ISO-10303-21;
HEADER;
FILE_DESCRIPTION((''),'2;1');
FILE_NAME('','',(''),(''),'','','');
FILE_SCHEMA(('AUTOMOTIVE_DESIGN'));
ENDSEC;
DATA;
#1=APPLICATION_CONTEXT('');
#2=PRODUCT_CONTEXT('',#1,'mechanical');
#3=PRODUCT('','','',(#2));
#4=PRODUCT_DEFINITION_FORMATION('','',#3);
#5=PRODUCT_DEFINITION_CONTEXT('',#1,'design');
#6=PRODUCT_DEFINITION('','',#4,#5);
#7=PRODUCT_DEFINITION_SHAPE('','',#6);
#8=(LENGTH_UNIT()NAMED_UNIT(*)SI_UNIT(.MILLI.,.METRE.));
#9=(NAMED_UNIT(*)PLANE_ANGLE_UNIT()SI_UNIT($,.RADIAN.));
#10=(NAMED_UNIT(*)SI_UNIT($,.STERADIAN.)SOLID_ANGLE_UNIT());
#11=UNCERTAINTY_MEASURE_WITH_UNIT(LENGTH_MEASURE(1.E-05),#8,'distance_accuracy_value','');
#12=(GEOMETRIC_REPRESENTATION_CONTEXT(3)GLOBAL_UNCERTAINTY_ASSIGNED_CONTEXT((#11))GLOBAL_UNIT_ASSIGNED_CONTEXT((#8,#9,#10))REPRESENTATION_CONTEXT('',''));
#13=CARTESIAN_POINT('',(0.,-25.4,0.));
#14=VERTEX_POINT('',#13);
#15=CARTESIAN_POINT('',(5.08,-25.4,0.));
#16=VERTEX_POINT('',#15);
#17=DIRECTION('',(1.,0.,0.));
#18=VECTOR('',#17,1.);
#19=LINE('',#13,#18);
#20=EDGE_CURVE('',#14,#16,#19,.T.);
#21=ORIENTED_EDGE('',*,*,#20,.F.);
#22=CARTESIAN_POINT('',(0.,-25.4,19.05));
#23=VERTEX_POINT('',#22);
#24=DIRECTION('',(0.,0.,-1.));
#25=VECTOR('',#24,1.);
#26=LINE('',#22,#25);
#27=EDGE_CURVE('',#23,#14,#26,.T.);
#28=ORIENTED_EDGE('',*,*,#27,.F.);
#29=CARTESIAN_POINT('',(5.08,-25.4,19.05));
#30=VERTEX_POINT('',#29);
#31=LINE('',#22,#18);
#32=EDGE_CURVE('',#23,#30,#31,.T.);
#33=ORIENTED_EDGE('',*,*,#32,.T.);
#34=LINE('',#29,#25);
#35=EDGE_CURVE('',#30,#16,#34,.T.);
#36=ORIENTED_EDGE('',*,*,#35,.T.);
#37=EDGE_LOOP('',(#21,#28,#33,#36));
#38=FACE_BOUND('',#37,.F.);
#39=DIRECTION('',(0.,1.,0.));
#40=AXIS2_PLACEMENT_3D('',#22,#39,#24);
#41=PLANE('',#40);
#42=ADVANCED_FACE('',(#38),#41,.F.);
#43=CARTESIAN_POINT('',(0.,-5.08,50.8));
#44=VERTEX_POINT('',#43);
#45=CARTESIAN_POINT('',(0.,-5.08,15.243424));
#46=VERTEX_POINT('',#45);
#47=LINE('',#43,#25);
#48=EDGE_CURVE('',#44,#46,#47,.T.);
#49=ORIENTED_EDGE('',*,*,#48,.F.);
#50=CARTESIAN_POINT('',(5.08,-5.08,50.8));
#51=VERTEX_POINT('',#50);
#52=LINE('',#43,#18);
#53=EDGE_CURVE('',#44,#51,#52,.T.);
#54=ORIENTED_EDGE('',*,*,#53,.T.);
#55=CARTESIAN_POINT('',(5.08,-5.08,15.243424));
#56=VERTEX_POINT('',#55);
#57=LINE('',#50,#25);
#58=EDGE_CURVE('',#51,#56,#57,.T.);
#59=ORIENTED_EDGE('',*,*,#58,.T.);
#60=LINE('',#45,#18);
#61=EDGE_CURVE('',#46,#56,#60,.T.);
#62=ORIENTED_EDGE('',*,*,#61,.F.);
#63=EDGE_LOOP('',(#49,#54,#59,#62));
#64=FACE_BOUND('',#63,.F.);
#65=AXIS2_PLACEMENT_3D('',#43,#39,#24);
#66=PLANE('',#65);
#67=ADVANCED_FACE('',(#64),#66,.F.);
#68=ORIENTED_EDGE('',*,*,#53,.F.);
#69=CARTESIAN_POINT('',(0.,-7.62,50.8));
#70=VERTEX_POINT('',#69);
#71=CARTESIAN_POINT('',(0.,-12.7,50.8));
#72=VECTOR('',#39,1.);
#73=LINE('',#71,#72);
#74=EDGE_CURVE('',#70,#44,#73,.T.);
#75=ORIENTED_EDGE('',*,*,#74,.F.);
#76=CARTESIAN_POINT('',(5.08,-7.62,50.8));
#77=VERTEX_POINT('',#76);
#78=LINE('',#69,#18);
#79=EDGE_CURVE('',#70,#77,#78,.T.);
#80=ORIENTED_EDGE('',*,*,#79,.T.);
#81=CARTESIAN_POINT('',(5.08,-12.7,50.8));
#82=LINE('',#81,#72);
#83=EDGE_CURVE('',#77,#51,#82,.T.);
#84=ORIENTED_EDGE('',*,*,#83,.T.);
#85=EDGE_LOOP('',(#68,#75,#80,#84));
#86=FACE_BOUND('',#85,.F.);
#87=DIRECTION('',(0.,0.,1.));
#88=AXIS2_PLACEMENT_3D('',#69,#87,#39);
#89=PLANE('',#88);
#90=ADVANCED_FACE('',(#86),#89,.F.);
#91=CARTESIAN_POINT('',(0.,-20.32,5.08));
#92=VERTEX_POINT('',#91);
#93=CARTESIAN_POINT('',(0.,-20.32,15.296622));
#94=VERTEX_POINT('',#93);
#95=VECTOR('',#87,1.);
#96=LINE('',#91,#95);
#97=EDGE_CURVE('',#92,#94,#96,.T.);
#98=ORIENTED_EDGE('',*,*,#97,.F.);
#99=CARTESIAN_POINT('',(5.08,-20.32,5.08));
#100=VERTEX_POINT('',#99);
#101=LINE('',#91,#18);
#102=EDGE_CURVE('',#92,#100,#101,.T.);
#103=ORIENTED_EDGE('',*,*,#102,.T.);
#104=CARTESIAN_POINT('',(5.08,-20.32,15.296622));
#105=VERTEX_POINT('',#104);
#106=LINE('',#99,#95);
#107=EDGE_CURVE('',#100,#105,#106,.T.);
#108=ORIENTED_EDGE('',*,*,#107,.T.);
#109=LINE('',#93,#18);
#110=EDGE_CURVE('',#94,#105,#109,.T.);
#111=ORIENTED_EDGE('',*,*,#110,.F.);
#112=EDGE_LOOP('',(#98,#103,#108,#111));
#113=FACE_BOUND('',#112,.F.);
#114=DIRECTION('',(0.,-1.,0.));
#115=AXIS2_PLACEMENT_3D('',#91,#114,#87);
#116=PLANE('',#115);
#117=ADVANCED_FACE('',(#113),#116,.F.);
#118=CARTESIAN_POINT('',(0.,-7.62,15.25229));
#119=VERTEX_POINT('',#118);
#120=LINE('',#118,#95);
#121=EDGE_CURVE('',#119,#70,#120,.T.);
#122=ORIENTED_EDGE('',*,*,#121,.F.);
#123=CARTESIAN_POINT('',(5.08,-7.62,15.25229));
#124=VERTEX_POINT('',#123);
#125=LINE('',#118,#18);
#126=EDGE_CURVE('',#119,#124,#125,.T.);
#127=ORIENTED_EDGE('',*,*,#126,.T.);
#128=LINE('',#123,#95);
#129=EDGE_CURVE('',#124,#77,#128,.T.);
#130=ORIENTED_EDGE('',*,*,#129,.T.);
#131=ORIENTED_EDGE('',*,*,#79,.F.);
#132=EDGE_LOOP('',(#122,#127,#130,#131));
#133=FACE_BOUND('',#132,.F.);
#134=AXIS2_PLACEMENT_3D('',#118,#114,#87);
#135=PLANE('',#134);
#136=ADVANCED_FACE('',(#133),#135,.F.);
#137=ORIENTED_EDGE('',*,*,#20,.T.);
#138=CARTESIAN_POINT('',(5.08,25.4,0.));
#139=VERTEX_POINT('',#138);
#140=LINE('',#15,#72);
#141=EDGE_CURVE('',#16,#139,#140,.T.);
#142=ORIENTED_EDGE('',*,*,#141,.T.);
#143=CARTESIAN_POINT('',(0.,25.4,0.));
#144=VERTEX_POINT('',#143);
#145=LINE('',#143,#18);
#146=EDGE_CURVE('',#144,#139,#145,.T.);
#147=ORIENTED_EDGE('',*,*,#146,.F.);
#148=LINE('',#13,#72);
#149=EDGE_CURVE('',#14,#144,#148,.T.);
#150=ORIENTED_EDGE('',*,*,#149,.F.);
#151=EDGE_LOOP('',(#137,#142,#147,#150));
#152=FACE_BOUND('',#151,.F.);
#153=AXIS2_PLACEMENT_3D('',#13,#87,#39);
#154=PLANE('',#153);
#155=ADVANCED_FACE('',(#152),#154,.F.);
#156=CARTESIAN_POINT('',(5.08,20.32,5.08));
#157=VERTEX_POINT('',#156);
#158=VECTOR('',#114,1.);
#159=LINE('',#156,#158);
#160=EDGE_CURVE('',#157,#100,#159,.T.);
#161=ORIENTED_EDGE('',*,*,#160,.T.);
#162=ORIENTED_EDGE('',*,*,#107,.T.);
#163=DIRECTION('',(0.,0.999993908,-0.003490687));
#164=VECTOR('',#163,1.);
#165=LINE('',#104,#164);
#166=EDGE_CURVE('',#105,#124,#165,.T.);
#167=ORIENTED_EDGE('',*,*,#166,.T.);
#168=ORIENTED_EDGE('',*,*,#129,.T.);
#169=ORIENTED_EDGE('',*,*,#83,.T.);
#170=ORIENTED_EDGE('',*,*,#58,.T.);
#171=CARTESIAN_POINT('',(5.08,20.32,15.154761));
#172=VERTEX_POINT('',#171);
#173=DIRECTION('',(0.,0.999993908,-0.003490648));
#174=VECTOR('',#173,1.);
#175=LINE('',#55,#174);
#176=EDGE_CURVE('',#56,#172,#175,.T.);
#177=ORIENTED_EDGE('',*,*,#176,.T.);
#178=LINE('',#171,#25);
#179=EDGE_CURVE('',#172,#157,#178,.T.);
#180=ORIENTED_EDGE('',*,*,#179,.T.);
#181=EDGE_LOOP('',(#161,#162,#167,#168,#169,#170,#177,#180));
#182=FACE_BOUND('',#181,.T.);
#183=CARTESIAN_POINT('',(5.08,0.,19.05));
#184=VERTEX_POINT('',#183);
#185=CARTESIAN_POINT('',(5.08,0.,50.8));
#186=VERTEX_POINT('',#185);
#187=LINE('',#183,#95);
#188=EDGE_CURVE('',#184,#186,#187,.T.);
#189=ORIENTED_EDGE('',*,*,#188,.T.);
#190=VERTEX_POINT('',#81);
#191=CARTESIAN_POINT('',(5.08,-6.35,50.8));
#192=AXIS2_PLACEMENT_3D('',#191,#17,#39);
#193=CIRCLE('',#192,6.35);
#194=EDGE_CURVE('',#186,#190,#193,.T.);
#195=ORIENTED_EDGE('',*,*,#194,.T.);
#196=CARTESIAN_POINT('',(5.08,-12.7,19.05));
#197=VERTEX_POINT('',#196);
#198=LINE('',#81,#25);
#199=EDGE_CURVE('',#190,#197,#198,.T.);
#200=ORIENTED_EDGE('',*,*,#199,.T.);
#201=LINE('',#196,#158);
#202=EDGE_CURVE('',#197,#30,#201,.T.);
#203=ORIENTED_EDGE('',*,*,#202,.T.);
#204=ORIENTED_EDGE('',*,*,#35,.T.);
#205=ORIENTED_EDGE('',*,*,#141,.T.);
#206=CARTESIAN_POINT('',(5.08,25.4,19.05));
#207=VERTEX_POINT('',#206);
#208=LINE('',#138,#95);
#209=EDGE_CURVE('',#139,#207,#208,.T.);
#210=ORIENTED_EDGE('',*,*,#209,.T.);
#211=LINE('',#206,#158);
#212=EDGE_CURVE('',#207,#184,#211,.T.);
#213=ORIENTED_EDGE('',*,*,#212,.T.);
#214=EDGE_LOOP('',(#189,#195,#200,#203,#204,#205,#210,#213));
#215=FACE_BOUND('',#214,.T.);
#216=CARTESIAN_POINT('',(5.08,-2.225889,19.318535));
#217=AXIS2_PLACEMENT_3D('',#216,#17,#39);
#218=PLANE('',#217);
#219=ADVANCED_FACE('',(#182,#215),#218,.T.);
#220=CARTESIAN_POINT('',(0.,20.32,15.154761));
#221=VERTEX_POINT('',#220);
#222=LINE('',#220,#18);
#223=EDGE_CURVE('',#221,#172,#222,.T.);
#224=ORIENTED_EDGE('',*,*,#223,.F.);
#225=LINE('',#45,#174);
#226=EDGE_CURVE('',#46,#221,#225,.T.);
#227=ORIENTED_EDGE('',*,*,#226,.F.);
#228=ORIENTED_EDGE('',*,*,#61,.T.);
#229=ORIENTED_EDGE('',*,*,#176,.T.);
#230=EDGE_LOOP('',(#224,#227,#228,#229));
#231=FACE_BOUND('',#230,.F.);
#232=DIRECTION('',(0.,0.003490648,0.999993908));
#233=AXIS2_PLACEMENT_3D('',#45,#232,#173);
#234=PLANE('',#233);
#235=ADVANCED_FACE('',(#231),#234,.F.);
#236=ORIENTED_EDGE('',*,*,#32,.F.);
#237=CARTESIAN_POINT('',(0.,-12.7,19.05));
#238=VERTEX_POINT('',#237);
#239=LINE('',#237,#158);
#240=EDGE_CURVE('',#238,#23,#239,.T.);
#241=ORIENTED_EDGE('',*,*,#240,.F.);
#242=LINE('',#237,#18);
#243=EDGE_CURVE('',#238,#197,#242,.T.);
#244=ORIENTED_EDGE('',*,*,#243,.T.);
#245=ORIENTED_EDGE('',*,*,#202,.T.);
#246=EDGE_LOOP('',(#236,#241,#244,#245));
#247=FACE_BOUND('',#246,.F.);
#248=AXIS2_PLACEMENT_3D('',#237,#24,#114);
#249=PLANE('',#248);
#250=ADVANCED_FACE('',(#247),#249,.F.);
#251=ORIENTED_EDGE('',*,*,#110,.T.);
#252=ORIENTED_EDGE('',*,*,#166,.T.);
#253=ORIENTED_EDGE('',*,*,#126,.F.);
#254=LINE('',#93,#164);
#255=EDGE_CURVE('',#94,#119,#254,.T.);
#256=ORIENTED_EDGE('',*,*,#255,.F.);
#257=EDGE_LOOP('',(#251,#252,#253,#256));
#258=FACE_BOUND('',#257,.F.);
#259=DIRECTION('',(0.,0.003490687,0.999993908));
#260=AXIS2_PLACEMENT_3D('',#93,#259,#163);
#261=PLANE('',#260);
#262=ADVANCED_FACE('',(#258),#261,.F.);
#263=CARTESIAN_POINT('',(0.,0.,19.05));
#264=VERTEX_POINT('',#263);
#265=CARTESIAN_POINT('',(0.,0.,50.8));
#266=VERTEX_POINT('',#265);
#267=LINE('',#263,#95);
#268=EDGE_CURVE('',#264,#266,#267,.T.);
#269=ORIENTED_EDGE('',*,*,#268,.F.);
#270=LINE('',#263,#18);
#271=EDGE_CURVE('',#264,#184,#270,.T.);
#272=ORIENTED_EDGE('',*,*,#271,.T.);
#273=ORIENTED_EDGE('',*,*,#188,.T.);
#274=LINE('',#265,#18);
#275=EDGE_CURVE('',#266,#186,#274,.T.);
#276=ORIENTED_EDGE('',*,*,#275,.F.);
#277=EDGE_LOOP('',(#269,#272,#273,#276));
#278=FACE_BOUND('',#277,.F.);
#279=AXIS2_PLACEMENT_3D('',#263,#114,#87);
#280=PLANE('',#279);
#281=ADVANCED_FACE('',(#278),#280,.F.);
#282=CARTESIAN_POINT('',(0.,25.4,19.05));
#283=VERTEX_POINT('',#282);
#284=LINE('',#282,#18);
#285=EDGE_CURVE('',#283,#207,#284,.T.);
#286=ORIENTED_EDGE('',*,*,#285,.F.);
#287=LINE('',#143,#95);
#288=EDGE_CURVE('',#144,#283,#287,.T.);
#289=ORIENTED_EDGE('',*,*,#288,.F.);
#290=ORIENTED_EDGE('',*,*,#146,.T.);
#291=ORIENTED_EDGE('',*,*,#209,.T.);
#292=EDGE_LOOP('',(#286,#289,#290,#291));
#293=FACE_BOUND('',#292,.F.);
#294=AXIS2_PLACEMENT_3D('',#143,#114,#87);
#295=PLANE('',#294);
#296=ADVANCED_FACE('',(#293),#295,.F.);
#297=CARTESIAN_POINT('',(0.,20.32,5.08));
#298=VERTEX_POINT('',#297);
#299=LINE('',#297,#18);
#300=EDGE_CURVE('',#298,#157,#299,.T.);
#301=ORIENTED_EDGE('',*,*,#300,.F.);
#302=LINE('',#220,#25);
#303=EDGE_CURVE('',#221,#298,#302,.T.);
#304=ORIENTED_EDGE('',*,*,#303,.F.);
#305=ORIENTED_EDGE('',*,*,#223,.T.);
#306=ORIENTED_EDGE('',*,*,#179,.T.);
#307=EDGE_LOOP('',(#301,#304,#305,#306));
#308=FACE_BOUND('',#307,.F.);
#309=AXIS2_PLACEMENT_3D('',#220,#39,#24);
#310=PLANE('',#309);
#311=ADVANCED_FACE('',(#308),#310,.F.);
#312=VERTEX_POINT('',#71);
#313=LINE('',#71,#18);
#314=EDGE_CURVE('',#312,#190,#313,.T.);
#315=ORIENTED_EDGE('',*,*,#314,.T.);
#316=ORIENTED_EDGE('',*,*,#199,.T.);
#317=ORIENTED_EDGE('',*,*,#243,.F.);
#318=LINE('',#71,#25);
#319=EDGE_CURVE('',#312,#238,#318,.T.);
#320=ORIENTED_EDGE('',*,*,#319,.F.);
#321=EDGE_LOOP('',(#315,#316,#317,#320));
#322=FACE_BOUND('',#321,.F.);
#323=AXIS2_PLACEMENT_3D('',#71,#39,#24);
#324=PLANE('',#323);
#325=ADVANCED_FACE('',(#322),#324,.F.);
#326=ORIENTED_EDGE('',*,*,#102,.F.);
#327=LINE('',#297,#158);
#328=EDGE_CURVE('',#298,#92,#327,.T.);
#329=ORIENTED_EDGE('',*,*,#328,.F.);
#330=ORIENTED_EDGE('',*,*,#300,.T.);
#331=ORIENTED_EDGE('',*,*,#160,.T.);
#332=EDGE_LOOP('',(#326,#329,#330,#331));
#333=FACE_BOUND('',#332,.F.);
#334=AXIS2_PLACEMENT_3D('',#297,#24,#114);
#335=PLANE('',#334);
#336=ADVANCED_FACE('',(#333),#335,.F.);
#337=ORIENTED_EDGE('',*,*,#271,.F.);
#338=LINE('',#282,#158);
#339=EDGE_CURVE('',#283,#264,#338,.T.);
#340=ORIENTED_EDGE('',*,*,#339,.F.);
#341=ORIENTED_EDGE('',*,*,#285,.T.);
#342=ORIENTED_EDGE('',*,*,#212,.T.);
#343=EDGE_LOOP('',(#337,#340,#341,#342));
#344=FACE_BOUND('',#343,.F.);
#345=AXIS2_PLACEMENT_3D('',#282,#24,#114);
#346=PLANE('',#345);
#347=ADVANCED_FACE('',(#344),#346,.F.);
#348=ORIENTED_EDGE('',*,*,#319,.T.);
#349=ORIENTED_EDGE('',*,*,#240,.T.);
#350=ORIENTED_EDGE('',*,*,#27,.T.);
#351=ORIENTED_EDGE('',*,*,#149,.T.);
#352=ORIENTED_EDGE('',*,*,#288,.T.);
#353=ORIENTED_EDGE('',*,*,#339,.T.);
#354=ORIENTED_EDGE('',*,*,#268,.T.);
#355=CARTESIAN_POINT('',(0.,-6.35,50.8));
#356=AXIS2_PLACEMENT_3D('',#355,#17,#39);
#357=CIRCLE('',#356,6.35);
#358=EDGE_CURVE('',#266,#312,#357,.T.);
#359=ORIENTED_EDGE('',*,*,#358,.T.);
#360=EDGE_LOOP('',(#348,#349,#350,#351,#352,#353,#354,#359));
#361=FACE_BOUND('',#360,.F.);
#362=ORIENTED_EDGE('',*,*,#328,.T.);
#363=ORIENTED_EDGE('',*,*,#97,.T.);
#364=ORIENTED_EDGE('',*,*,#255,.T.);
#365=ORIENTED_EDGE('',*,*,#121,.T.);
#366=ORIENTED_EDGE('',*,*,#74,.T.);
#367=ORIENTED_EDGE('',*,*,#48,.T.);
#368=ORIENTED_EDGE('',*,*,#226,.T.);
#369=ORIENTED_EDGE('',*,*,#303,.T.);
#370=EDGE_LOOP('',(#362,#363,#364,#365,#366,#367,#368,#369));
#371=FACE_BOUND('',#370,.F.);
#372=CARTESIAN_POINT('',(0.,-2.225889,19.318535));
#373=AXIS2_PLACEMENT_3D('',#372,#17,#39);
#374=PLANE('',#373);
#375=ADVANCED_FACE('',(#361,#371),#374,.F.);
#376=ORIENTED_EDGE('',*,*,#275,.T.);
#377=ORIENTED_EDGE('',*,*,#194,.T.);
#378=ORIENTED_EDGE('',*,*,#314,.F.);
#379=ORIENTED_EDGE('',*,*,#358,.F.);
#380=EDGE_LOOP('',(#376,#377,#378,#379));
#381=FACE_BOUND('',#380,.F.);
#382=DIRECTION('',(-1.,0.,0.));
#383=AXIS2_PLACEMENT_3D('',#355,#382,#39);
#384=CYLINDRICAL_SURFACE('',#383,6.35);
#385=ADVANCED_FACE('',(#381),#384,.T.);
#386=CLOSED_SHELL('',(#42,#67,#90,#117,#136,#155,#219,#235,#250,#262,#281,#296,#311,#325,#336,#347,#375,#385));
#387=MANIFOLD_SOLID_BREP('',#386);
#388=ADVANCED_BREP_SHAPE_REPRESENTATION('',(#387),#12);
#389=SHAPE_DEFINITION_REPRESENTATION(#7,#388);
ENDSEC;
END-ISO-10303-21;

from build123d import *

# Parameters (mm, degrees)
F1_DEPTH = 5.08


with BuildPart() as f1:
    # F0 (on Right) → F1 (new body)
    with BuildSketch(Plane.YZ):
        Polygon((-25.4, 0), (25.4, 0), (25.4, 19.05), (0, 19.05), (0, 50.8), (-5.08, 50.8), (-5.08, 19.05), (-5.08, 15.243424), (20.32, 15.154761), (20.32, 5.08), (-20.32, 5.08), (-20.32, 15.296622), (-7.62, 15.25229), (-7.62, 19.05), (-7.62, 50.8), (-12.7, 50.8), (-12.7, 19.05), (-25.4, 19.05), align=None)
        with BuildLine():
            Line((-5.08, 50.8), (0, 50.8))
            ThreePointArc((0, 50.8), (-6.35, 57.15), (-12.7, 50.8))
            Line((-12.7, 50.8), (-7.62, 50.8))
            Line((-7.62, 50.8), (-5.08, 50.8))
        make_face()
    extrude(amount=F1_DEPTH)


solid = f1.part
